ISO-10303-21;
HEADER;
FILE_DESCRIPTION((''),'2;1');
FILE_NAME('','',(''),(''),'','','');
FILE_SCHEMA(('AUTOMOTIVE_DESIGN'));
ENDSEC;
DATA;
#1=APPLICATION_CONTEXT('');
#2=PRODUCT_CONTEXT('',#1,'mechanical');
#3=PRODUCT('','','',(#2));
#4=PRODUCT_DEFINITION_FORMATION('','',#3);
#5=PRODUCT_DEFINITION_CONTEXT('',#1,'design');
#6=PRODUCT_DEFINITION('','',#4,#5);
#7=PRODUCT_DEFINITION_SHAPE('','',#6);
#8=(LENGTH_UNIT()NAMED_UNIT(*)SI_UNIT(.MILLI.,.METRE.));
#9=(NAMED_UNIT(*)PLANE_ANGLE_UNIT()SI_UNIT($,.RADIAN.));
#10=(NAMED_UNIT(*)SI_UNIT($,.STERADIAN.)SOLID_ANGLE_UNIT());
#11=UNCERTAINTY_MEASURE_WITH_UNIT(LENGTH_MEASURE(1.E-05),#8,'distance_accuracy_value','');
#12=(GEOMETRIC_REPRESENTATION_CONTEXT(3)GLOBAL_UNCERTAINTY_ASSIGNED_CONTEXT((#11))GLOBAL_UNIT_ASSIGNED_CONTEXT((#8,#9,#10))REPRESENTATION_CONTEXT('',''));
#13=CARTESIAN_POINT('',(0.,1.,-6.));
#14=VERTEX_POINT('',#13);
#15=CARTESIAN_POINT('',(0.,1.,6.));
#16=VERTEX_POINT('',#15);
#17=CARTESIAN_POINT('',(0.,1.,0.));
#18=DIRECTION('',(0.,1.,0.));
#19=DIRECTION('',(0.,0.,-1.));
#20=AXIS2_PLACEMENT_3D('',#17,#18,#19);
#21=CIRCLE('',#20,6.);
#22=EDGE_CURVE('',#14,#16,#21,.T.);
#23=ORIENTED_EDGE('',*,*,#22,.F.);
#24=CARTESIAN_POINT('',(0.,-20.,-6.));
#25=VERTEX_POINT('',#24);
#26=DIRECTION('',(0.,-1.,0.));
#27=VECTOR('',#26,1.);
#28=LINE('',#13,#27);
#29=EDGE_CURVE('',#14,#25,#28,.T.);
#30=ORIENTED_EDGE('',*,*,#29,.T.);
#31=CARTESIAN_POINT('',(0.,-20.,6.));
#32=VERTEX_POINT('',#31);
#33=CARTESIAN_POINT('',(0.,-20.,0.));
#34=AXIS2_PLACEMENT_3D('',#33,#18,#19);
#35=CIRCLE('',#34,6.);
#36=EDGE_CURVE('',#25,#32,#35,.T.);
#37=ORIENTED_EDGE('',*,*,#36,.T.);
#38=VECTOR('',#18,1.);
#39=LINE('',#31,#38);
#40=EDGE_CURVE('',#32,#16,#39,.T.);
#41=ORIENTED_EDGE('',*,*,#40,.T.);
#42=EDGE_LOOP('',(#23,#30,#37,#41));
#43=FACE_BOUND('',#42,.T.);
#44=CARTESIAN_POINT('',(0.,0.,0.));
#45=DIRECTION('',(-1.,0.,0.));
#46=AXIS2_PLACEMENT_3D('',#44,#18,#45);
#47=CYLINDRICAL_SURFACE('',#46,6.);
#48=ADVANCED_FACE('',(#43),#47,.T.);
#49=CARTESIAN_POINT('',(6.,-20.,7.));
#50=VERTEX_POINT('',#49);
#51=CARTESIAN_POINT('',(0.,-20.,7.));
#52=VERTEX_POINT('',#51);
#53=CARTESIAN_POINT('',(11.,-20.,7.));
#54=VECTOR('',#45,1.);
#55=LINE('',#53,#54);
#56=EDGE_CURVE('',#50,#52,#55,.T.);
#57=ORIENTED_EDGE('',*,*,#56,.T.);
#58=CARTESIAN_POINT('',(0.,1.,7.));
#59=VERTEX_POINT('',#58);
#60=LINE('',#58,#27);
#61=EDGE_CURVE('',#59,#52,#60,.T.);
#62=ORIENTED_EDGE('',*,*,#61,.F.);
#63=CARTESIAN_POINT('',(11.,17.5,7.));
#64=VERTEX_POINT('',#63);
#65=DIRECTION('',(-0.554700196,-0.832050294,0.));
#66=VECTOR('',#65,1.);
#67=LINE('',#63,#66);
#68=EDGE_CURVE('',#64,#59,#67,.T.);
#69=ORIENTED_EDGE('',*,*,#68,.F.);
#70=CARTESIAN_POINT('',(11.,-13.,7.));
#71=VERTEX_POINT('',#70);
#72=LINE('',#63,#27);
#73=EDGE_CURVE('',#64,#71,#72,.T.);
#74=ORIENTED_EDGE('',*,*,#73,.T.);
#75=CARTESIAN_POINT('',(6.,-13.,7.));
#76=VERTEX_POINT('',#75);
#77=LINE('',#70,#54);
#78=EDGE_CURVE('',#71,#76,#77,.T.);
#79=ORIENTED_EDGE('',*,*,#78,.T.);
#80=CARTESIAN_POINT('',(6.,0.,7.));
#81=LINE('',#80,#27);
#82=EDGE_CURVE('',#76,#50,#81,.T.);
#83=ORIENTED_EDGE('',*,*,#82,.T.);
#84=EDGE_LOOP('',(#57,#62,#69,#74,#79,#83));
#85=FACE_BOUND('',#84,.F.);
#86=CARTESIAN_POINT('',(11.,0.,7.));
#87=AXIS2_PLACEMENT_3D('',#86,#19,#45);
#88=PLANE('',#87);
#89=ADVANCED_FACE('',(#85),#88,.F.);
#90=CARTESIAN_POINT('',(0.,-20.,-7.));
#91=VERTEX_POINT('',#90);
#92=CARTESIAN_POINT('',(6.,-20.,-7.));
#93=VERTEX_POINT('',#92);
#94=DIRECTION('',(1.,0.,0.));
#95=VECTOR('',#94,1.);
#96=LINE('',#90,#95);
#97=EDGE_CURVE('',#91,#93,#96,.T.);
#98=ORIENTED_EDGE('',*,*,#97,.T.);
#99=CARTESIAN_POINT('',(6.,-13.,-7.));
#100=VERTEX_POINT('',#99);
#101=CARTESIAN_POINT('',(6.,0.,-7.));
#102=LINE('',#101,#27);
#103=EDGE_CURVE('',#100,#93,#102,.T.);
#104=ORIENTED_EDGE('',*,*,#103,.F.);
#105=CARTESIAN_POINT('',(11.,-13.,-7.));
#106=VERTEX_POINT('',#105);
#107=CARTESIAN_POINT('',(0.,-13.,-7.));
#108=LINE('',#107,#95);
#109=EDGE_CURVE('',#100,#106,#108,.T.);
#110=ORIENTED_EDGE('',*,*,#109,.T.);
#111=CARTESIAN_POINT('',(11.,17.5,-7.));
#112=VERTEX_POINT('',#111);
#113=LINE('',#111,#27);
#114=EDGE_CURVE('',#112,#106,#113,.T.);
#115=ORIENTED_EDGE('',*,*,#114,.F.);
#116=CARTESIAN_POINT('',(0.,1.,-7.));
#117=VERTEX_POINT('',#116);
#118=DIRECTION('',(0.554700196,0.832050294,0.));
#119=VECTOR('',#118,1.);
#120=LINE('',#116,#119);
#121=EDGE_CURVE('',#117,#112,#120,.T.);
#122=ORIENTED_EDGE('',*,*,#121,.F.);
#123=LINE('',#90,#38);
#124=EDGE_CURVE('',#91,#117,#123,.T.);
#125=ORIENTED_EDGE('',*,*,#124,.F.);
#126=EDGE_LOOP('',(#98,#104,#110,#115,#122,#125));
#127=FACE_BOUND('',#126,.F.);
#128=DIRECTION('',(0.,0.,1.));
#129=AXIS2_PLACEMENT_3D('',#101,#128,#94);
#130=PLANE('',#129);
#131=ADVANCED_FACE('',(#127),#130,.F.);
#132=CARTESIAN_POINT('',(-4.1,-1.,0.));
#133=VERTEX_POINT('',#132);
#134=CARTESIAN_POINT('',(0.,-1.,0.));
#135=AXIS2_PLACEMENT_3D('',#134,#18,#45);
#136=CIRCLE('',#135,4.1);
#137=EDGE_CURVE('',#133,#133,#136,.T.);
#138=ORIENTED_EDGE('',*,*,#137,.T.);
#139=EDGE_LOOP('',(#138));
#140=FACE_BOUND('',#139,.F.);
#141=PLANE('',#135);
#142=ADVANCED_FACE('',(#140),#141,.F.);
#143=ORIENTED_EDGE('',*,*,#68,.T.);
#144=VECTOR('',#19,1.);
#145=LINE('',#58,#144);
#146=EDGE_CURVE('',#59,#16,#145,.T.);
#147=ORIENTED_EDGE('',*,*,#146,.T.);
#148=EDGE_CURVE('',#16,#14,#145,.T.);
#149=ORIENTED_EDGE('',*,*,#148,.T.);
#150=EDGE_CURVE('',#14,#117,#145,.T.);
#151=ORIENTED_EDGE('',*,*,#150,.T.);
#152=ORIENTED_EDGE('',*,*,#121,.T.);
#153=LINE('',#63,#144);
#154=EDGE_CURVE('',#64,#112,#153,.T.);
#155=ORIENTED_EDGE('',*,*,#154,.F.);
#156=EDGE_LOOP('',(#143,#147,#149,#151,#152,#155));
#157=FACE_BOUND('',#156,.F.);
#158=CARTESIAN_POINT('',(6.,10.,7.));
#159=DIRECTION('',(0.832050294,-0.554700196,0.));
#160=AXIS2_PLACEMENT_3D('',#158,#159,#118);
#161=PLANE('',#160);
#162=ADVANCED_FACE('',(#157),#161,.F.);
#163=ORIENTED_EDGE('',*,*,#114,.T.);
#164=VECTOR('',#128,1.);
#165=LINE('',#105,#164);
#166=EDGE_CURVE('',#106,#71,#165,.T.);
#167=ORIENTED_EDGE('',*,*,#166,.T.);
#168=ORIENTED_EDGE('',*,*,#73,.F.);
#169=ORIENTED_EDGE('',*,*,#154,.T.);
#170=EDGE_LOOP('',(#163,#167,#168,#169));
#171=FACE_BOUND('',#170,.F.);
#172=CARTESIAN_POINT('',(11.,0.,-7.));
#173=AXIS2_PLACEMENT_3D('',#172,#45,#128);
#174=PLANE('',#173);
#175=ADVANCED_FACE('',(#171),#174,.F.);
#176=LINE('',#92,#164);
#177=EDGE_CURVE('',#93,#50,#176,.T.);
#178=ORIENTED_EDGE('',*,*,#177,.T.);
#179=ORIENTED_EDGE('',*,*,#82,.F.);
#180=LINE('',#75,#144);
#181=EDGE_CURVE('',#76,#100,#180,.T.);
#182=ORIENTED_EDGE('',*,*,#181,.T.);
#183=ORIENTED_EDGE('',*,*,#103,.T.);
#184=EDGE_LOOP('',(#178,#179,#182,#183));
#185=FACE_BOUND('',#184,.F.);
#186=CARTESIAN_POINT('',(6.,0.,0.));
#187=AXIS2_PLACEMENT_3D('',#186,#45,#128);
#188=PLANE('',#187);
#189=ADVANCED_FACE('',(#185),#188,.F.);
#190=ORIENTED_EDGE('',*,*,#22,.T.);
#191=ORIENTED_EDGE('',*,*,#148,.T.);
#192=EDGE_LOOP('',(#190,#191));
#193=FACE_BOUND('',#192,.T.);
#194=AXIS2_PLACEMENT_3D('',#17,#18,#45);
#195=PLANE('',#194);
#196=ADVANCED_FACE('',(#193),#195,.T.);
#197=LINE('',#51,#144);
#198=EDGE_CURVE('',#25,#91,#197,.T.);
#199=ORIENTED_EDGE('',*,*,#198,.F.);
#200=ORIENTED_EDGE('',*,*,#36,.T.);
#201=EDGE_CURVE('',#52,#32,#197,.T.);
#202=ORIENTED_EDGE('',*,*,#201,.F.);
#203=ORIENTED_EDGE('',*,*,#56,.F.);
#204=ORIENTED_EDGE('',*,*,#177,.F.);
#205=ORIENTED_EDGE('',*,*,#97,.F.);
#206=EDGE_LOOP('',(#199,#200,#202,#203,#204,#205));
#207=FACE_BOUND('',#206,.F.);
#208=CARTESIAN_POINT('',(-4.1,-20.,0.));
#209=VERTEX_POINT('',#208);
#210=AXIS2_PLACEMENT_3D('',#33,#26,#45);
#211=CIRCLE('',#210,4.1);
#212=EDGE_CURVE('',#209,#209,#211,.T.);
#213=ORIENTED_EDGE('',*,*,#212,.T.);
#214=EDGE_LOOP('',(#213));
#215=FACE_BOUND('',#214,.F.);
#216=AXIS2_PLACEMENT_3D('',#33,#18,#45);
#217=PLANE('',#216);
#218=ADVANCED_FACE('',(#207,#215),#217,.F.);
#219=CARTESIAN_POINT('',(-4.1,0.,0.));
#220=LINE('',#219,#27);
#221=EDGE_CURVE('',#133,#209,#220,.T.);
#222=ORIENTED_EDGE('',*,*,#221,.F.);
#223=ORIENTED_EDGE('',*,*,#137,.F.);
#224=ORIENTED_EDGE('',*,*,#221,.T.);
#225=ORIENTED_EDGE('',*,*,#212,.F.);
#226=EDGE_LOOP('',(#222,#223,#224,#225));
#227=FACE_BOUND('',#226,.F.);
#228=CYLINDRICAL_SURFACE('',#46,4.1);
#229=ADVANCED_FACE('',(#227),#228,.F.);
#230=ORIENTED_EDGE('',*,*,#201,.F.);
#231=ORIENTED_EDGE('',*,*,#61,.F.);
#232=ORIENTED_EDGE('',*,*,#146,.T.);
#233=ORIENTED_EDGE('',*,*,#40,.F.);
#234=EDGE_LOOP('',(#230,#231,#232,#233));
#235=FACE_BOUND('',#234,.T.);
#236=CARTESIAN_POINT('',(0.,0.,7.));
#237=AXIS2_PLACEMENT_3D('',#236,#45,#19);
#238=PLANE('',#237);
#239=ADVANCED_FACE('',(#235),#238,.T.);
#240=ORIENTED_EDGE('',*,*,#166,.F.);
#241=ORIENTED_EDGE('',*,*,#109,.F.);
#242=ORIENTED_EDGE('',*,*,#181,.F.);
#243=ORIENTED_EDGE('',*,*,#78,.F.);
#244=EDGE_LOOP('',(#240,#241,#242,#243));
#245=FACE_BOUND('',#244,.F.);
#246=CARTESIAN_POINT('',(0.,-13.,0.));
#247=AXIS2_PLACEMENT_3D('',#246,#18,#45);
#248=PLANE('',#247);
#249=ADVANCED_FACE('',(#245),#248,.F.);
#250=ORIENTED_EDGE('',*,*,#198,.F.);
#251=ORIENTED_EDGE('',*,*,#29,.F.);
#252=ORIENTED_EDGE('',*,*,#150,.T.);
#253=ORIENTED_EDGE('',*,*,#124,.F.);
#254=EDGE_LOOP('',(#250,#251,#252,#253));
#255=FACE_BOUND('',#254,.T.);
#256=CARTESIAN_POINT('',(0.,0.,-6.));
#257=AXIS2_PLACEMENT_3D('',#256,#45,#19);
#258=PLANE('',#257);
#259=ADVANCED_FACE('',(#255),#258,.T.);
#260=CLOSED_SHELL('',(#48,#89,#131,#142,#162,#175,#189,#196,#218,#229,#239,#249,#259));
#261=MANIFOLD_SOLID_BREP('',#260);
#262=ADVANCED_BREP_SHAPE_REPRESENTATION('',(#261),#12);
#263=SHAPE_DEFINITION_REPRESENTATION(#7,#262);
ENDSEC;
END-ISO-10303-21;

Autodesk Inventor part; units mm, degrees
ref_plane "YZ Plane" through (0, 0, 0) normal (1, 0, 0) x (0, 1, 0)
ref_plane "XZ Plane" through (0, 0, 0) normal (0, 1, 0) x (-1, 0, 0)
ref_plane "XY Plane" through (0, 0, 0) normal (0, 0, 1) x (1, 0, 0)
sketch "Szkic1" plane through (0, 0, 0) normal (0, 1, 0) x (-1, 0, 0)
  circle A0 centre (0, 0) radius 4.1
  line L0 (0, 7) -> (0, -7)
  line L1 (0, -7) -> (-11, -7)
  line L2 (-11, -7) -> (-11, 7)
  line L3 (-11, 7) -> (0, 7)
  line L4 (-11, 7) -> (-6, 7)
  line L5 (-6, -7) -> (-11, -7)
  line L6 (-11, -7) -> (-11, 7)
  circle A1 centre (0, 0) radius 6
  line L7 (-6, -7) -> (-6, 7)
  point P0 (0, -6)
  point P1 (0, 6)
  point P2 (0, -4.1)
  point P3 (0, 4.1)
  point P4 (-6, 0)
  dimension "d0" = 8.2
  dimension "d1" = 14
  dimension "d2" = 11
  dimension "d3" = 7
  dimension "d6" = 0
  dimension "d7" = 5
  dimension "d8" = 12
  dimension "d15" = 5
extrude "Wyciągnięcie proste4" add sketch "Szkic1" against normal blind 20 contours A0 L0 A1 | A0 L0 A1
extrude "Wyciągnięcie proste5" add sketch "Szkic1" along normal mid plane 2 contours A0 L0 | A0 L0 A1 | L0 A0 | A0 L0 A1
extrude "Wyciągnięcie proste6" add sketch "Szkic1" along normal blind 1 contours A1 L7 L3 L0 | L0 L1 L7 A1
extrude "Wyciągnięcie proste7" add sketch "Szkic1" along normal blind 10 contours L7 L1 L2 L3
extrude "Wyciągnięcie proste8" add sketch "Szkic1" against normal blind 20 contours A1 L7 L3 L0 | L0 L1 L7 A1
extrude "Wyciągnięcie proste9" add sketch "Szkic1" against normal blind 13 contours L7 L1 L2 L3
sketch "Szkic5" plane through (0, -20, 7) normal (0, 0, 1) x (1, 0, 0)
  line L0 (6, 21) -> (0, 21) projected
  line L1 (6, 21) -> (6, 30) projected
  line L2 (0, 21) -> (6, 30)
  line L3 (6, 30) -> (11, 37.5)
  line L4 (11, 7) -> (11, 30) projected
  line L5 (11, 30) -> (11, 37.5)
  line L6 (11, 30) -> (6, 30)
  line L7 (6, 30) -> (6, 21)
  line L8 (6, 30) -> (6, 21)
  line L9 (0, 21) -> (6, 21)
  point P0 (0, 20)
extrude "Wyciągnięcie proste10" add sketch "Szkic5" against normal blind 14
properties part number "chwytak_rurki"
